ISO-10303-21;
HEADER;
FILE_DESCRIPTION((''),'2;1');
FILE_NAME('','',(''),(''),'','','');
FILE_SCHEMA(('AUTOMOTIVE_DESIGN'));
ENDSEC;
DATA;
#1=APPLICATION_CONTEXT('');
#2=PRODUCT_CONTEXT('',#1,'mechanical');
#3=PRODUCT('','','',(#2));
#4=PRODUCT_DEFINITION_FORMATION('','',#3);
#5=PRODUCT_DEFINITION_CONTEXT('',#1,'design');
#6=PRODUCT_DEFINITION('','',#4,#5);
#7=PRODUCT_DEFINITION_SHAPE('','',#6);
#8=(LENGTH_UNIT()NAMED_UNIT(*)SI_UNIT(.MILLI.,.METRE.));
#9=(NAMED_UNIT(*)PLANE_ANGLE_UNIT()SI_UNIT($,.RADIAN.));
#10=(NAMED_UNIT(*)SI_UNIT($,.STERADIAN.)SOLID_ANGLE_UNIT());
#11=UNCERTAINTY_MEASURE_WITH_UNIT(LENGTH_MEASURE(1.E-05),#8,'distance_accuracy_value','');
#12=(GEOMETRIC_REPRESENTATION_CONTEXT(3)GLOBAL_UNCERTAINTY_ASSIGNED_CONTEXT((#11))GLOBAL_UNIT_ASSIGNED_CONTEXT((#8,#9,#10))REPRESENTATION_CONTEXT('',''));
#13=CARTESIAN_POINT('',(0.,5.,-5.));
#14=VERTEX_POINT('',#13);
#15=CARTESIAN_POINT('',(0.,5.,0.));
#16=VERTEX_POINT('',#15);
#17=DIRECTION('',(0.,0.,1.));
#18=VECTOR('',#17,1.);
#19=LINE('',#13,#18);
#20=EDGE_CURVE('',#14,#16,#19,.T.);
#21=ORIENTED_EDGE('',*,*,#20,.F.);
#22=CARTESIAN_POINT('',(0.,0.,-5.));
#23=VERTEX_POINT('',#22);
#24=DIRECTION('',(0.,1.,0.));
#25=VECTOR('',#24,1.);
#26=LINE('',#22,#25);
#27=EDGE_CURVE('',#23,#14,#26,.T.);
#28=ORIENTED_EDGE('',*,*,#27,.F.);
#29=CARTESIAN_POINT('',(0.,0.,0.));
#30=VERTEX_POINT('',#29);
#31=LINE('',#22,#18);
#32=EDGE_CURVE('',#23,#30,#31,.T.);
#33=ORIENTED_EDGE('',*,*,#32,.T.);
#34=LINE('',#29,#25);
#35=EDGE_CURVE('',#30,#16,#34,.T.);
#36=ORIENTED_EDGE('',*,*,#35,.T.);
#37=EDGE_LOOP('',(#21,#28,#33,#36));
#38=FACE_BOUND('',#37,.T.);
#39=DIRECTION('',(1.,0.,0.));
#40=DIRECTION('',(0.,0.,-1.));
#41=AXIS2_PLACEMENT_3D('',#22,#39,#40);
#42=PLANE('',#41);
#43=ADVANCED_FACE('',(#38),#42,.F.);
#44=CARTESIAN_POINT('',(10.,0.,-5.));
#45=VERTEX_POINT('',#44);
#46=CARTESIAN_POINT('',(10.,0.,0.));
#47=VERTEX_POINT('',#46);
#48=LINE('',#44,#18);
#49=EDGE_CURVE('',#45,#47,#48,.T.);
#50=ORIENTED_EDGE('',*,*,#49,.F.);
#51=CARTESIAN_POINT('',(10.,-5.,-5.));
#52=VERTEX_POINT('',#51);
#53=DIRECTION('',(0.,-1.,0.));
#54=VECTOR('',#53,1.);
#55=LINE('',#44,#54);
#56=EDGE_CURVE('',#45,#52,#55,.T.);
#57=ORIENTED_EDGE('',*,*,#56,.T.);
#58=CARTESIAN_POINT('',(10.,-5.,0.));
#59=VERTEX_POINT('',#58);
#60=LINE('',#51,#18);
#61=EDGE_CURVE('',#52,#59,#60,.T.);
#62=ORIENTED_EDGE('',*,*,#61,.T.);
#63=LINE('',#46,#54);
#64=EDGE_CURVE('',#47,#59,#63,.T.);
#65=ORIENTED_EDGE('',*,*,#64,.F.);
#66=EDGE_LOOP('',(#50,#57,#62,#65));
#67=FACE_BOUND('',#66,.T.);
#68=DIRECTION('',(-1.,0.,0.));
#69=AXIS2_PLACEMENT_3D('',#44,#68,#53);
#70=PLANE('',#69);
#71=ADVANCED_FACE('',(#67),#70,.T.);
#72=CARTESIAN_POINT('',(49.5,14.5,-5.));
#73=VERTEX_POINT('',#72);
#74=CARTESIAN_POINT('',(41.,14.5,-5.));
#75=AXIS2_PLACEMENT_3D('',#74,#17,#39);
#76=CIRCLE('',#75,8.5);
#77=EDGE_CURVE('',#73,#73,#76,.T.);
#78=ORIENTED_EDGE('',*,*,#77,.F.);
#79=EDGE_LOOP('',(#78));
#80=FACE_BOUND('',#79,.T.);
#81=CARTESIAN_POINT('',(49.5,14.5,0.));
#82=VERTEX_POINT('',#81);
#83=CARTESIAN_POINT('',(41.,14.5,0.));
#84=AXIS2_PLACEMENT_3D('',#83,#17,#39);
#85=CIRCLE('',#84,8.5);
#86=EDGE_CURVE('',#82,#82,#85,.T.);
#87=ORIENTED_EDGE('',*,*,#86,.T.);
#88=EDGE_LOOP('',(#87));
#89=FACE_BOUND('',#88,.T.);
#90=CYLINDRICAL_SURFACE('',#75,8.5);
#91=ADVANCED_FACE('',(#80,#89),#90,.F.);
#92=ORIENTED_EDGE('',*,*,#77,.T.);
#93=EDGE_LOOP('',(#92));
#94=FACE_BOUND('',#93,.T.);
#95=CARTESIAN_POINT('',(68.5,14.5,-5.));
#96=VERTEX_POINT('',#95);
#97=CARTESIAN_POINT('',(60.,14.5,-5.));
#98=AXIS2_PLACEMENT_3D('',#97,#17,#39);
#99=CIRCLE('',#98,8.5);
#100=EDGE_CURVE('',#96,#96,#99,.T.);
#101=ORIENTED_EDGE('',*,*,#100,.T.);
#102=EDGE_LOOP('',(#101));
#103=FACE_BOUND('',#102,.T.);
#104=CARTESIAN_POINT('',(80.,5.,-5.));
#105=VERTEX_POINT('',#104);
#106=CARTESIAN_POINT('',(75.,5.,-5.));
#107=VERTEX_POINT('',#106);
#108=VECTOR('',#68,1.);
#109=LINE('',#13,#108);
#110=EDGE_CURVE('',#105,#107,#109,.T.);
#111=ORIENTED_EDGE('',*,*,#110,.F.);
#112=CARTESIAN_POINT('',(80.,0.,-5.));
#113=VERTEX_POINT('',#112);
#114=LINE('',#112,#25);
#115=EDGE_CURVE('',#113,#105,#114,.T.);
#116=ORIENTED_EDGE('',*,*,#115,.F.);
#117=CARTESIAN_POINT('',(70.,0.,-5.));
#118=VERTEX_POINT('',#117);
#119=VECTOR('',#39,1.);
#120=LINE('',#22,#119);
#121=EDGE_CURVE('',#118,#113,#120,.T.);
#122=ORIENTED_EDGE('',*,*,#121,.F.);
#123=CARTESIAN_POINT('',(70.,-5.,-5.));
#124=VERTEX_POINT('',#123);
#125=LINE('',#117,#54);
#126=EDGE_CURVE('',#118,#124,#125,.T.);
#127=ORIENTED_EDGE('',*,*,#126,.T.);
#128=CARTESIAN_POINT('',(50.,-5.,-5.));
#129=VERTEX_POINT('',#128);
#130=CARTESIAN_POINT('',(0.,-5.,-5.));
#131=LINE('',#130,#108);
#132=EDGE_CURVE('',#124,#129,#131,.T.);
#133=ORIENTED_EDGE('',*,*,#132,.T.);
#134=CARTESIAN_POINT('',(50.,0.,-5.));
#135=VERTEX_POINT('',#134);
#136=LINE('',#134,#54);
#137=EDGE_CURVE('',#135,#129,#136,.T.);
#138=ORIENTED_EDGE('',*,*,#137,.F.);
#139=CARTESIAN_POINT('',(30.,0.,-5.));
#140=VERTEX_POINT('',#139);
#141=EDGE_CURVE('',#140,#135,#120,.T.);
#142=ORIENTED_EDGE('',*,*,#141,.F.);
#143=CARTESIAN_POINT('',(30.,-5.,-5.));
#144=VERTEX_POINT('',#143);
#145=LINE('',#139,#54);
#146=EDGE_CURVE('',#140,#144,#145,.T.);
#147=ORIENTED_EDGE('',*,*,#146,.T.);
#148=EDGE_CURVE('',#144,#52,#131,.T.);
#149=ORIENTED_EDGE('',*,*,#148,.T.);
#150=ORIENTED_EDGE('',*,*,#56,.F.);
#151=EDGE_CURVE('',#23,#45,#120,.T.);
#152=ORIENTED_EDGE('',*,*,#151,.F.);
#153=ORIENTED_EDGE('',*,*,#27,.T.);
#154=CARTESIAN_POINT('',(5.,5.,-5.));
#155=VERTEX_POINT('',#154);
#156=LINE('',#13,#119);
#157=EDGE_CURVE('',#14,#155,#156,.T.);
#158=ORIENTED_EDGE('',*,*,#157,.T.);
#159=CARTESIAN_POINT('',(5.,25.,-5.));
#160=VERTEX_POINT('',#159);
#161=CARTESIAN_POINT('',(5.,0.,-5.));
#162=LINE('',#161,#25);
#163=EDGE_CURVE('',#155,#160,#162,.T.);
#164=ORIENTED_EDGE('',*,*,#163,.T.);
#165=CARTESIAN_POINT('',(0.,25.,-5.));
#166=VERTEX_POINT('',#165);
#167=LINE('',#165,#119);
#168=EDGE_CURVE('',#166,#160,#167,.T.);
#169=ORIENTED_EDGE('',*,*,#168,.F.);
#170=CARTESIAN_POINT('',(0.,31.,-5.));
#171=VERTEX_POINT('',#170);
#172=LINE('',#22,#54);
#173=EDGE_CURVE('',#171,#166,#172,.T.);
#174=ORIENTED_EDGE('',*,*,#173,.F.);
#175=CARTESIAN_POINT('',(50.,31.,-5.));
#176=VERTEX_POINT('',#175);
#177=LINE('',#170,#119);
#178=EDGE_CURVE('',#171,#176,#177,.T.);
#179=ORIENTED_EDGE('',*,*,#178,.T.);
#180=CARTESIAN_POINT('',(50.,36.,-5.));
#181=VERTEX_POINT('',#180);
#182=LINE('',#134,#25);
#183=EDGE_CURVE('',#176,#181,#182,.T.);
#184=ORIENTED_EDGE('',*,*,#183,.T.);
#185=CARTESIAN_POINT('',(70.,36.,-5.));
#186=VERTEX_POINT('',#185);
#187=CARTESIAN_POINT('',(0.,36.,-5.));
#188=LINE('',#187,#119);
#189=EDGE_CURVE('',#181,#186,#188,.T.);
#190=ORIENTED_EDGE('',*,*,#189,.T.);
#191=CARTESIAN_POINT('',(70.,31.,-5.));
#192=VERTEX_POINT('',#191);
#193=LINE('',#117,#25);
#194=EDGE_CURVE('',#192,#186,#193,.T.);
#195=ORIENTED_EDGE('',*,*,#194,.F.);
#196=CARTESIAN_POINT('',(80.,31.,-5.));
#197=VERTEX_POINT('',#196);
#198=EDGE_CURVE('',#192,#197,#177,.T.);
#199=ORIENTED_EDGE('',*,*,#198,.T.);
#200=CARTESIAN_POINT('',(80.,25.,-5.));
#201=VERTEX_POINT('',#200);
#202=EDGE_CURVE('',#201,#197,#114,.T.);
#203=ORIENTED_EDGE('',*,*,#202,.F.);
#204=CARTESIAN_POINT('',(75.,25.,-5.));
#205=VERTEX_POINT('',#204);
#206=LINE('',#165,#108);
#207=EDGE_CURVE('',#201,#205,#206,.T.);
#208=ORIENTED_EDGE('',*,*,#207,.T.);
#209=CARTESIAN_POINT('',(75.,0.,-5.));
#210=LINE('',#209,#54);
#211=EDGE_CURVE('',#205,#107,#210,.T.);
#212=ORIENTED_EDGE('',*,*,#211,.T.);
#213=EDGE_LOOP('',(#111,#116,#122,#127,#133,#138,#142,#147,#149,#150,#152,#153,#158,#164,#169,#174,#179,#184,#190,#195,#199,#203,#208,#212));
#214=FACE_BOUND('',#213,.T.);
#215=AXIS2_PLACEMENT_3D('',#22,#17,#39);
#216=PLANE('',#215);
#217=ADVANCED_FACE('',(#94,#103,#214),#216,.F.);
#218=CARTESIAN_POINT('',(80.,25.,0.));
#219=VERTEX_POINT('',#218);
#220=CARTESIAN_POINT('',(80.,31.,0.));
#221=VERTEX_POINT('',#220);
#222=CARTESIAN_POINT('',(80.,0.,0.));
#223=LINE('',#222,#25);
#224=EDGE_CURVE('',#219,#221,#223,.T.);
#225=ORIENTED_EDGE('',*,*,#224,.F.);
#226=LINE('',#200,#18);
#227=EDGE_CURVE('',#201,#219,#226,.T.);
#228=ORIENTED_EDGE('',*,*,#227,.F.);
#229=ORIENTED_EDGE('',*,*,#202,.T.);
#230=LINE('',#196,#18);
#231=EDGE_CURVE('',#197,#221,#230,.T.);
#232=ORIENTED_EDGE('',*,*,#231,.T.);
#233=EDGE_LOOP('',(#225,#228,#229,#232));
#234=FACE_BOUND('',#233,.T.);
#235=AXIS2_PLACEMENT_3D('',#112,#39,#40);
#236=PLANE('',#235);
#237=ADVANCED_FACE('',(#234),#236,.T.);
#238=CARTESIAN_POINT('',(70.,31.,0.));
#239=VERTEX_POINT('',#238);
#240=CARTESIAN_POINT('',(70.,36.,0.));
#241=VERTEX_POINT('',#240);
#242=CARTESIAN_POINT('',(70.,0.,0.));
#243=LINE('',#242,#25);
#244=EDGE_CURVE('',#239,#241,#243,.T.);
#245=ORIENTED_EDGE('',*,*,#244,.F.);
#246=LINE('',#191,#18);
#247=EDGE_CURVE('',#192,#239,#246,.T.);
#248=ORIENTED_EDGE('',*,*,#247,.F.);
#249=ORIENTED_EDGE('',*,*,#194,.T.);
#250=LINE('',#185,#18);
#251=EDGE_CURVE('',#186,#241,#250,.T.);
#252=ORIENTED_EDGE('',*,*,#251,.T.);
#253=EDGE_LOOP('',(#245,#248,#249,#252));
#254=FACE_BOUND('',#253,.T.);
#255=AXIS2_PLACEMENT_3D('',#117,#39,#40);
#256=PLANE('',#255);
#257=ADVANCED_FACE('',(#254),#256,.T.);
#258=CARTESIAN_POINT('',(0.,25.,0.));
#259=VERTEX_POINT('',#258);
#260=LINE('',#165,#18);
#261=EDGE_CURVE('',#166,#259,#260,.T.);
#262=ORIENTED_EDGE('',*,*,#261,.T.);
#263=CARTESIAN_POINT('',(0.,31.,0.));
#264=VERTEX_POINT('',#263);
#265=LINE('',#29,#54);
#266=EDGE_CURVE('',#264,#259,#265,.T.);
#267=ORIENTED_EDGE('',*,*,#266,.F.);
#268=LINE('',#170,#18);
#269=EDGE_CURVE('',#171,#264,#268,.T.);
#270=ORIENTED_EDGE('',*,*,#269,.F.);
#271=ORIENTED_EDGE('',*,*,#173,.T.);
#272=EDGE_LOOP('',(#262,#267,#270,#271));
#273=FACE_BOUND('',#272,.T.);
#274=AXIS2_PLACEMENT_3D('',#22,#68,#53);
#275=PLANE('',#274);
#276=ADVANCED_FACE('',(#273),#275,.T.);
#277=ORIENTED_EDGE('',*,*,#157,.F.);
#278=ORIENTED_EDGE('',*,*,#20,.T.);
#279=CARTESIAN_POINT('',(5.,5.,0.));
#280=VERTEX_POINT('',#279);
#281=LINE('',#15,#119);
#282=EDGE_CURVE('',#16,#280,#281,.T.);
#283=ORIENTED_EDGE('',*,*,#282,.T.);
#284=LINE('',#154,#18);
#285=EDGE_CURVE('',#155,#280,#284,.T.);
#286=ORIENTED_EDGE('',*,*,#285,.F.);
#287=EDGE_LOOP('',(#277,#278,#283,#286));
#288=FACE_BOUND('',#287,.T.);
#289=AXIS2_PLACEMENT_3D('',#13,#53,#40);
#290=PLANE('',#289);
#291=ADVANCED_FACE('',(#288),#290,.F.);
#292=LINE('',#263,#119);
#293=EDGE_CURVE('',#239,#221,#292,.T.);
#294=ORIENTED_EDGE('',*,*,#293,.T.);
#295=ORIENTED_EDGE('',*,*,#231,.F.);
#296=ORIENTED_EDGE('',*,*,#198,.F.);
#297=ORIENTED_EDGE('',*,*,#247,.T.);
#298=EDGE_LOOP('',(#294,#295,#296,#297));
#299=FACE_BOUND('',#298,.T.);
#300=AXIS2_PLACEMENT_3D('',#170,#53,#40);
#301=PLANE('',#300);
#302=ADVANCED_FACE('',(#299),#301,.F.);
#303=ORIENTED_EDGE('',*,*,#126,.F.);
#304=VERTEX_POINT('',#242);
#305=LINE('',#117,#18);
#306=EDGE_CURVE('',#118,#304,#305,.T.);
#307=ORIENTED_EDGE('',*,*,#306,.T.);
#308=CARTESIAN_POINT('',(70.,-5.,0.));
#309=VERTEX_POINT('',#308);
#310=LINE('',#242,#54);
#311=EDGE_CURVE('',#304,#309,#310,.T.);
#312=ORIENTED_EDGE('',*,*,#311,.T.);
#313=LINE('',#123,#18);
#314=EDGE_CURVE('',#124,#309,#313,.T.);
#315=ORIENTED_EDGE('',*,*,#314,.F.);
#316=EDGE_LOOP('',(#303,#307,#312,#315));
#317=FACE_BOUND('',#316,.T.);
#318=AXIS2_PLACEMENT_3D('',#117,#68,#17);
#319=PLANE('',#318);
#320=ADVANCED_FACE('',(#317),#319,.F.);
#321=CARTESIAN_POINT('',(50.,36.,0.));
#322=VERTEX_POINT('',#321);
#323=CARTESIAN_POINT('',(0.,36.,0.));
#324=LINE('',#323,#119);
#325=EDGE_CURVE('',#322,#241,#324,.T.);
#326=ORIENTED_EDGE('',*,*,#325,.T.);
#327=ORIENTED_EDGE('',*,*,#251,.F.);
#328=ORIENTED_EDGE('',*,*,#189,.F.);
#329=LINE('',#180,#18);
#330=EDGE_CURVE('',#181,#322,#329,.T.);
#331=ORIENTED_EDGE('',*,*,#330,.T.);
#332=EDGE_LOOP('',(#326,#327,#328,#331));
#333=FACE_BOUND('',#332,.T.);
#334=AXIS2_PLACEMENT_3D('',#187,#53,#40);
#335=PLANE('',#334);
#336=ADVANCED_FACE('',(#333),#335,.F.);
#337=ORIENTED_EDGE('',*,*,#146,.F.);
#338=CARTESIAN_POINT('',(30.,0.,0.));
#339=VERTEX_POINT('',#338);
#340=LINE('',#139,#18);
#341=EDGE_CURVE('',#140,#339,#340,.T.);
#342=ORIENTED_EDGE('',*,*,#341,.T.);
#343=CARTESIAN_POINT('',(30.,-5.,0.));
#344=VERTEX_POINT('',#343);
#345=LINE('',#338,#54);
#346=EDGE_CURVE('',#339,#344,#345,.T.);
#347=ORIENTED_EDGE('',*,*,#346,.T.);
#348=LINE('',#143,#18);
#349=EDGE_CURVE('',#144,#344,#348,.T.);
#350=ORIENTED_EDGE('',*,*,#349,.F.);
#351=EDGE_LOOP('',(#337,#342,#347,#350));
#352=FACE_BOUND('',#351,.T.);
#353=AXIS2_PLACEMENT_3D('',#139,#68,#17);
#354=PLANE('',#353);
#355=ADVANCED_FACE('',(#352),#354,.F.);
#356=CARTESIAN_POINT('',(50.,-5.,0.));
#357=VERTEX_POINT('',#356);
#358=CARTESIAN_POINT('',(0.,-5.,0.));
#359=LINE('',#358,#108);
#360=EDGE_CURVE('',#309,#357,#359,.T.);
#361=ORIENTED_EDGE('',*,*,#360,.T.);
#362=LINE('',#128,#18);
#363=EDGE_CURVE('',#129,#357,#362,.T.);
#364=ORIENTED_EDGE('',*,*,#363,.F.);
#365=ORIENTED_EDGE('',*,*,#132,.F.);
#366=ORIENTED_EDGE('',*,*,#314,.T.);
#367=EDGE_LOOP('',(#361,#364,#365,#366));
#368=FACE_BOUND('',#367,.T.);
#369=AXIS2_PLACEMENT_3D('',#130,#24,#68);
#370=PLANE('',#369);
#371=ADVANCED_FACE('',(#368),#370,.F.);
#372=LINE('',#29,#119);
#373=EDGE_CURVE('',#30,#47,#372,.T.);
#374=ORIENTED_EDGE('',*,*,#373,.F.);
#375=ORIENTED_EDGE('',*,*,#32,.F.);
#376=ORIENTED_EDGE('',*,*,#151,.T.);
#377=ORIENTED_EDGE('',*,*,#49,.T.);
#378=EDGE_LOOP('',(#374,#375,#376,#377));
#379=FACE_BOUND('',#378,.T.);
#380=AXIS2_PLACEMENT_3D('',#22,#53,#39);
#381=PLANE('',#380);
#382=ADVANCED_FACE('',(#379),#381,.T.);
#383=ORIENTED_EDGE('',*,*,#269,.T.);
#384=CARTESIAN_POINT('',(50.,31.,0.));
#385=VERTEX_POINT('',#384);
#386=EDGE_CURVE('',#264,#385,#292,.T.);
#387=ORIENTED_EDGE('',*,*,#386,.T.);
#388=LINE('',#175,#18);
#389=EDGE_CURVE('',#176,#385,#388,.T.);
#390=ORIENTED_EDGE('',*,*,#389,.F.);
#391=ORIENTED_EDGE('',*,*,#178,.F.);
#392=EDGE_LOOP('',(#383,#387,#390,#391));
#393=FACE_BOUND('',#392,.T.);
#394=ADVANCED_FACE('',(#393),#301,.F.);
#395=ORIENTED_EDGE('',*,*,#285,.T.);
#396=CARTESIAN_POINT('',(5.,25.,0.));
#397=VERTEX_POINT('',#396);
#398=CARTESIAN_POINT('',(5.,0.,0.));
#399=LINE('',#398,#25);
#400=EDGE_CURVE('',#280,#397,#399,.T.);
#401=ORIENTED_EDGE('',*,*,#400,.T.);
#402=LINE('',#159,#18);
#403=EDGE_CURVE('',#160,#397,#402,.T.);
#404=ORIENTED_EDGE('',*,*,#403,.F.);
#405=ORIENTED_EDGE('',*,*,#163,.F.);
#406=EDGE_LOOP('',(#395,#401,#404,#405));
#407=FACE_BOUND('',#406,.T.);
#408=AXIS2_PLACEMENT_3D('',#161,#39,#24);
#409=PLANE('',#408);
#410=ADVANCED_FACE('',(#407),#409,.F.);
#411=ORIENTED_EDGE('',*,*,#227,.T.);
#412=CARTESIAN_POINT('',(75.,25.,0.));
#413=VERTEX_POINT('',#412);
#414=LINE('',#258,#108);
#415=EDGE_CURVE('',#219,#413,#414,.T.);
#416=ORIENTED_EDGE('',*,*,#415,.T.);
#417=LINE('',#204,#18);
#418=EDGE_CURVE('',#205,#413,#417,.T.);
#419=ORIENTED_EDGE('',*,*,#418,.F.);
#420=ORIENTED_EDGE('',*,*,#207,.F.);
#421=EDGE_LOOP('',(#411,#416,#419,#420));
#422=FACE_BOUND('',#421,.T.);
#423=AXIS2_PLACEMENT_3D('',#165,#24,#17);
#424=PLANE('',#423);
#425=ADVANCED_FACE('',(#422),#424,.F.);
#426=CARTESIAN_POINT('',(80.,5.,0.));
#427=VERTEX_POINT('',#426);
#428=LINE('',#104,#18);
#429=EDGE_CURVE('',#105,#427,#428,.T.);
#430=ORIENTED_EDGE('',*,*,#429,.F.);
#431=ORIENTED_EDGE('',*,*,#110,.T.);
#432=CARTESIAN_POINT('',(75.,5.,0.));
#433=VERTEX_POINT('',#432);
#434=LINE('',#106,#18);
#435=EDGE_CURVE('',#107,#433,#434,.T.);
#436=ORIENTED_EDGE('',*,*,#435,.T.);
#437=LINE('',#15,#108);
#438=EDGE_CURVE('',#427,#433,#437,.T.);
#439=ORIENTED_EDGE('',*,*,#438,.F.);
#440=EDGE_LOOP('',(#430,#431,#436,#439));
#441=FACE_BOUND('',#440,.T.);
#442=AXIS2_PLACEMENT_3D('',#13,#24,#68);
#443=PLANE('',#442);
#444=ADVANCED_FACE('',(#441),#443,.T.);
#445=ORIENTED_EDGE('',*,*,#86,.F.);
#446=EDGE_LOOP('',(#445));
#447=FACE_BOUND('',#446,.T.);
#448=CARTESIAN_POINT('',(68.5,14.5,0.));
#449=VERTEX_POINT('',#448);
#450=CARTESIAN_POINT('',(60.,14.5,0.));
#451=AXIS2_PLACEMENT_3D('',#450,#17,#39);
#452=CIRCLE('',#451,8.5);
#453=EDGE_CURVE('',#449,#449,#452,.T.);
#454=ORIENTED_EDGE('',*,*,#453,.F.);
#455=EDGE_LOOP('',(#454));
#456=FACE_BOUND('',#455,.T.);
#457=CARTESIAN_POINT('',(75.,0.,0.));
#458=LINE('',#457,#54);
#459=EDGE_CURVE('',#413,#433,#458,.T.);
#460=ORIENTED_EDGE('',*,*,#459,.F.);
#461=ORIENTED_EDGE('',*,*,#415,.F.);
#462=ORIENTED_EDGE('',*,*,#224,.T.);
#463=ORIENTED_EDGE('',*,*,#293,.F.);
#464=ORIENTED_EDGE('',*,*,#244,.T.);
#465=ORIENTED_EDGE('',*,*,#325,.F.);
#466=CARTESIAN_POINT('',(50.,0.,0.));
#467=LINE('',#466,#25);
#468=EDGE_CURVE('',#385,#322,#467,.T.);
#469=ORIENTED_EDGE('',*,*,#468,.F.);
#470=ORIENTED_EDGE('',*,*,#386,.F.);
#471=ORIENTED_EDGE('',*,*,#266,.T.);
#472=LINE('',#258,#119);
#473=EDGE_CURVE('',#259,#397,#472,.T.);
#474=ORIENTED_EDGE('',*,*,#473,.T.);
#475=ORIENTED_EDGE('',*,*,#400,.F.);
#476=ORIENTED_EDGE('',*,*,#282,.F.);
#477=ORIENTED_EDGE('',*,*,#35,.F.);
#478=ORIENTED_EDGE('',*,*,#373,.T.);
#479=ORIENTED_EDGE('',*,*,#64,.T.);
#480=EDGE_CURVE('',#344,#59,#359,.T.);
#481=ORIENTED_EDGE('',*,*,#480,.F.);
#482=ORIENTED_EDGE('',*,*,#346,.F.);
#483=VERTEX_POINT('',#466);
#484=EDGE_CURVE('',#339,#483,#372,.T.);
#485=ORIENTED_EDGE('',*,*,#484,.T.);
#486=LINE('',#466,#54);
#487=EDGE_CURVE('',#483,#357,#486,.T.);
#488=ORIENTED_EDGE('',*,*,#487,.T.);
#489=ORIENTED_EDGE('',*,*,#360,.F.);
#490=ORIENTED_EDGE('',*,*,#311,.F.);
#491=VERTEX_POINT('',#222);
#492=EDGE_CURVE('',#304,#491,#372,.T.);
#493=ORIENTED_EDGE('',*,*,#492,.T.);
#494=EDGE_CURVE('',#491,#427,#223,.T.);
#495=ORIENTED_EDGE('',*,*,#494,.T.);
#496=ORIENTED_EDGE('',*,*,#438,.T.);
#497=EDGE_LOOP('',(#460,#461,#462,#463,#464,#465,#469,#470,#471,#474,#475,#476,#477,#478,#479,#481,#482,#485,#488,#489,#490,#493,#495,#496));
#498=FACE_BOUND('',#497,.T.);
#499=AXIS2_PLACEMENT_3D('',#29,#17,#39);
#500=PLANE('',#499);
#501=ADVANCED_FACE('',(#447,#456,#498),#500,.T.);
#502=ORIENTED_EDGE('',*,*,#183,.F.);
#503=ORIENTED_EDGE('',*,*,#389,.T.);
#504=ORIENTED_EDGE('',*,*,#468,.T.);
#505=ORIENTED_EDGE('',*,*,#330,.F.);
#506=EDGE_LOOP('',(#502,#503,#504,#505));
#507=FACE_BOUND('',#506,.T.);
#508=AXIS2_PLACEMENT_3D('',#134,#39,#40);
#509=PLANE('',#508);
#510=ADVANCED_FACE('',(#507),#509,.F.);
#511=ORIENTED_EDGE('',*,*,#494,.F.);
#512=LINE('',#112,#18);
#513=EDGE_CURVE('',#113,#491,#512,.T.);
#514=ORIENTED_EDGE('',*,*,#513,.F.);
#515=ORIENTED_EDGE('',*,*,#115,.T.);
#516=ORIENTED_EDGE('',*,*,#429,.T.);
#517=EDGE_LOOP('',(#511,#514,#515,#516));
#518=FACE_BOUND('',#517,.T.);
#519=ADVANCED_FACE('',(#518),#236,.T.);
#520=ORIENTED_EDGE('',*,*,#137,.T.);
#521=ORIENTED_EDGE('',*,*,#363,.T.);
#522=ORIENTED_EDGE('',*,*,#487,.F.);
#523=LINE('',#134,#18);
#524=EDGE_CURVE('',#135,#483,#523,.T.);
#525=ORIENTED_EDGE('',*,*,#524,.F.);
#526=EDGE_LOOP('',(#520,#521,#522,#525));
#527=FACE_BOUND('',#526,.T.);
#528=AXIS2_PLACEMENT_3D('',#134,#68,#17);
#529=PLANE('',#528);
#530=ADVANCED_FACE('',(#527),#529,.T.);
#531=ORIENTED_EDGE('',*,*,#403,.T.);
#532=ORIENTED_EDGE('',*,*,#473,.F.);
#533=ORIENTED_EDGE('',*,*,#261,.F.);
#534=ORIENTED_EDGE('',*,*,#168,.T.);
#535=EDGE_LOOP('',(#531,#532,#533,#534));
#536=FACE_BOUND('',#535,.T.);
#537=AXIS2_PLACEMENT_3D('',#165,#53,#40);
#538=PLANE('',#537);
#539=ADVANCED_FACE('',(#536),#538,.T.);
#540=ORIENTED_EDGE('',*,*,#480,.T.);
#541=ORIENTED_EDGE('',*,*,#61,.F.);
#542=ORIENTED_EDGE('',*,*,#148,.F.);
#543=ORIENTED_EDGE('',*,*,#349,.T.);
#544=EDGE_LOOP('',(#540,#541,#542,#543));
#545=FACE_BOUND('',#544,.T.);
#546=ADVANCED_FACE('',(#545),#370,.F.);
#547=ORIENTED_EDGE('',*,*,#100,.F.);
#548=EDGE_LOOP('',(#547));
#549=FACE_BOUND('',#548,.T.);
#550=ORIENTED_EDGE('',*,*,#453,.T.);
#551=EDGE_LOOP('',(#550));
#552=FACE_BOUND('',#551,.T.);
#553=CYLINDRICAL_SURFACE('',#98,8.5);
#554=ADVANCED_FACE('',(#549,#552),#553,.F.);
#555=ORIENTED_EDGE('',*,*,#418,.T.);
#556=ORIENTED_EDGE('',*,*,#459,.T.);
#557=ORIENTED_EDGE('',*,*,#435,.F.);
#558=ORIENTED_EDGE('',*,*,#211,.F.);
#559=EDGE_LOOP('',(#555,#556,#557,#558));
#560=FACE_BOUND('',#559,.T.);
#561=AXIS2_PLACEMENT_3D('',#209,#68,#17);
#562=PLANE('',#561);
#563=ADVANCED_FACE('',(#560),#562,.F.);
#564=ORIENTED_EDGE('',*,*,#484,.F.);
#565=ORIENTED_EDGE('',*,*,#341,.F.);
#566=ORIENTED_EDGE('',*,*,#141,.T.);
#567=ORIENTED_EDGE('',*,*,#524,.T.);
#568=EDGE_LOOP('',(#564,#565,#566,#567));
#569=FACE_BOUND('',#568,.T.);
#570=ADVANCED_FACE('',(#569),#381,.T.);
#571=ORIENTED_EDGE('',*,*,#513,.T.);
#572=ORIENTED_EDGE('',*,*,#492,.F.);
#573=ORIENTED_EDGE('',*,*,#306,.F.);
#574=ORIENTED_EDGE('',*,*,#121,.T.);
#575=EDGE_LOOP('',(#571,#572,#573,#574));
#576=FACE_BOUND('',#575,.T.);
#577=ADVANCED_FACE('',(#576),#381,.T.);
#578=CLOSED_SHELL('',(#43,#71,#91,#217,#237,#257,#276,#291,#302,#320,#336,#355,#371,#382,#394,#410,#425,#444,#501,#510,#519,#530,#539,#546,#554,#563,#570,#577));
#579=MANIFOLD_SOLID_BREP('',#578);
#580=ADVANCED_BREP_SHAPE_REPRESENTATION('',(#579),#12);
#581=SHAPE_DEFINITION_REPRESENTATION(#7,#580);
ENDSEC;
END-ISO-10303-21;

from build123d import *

# Parameters (mm, degrees)
SKETCH2_R           = 8.5
BOSS_EXTRUDE1_DEPTH = 5


with BuildPart() as part:
    # Sketch2 → Boss-Extrude1 (new body)
    with BuildSketch(Plane.XY):
        Polygon((0, 31), (0, 25), (5, 25), (5, 5), (0, 5), (0, 0), (10, 0), (10, -5), (30, -5), (30, 0), (50, 0), (50, -5), (70, -5), (70, 0), (80, 0), (80, 5), (75, 5), (75, 25), (80, 25), (80, 31), (70, 31), (70, 36), (50, 36), (50, 31), align=None)
        with Locations((41, 14.5)):
            Circle(SKETCH2_R, mode=Mode.SUBTRACT)
        with Locations((60, 14.5)):
            Circle(SKETCH2_R, mode=Mode.SUBTRACT)
    extrude(amount=-BOSS_EXTRUDE1_DEPTH)


solid = part.part
